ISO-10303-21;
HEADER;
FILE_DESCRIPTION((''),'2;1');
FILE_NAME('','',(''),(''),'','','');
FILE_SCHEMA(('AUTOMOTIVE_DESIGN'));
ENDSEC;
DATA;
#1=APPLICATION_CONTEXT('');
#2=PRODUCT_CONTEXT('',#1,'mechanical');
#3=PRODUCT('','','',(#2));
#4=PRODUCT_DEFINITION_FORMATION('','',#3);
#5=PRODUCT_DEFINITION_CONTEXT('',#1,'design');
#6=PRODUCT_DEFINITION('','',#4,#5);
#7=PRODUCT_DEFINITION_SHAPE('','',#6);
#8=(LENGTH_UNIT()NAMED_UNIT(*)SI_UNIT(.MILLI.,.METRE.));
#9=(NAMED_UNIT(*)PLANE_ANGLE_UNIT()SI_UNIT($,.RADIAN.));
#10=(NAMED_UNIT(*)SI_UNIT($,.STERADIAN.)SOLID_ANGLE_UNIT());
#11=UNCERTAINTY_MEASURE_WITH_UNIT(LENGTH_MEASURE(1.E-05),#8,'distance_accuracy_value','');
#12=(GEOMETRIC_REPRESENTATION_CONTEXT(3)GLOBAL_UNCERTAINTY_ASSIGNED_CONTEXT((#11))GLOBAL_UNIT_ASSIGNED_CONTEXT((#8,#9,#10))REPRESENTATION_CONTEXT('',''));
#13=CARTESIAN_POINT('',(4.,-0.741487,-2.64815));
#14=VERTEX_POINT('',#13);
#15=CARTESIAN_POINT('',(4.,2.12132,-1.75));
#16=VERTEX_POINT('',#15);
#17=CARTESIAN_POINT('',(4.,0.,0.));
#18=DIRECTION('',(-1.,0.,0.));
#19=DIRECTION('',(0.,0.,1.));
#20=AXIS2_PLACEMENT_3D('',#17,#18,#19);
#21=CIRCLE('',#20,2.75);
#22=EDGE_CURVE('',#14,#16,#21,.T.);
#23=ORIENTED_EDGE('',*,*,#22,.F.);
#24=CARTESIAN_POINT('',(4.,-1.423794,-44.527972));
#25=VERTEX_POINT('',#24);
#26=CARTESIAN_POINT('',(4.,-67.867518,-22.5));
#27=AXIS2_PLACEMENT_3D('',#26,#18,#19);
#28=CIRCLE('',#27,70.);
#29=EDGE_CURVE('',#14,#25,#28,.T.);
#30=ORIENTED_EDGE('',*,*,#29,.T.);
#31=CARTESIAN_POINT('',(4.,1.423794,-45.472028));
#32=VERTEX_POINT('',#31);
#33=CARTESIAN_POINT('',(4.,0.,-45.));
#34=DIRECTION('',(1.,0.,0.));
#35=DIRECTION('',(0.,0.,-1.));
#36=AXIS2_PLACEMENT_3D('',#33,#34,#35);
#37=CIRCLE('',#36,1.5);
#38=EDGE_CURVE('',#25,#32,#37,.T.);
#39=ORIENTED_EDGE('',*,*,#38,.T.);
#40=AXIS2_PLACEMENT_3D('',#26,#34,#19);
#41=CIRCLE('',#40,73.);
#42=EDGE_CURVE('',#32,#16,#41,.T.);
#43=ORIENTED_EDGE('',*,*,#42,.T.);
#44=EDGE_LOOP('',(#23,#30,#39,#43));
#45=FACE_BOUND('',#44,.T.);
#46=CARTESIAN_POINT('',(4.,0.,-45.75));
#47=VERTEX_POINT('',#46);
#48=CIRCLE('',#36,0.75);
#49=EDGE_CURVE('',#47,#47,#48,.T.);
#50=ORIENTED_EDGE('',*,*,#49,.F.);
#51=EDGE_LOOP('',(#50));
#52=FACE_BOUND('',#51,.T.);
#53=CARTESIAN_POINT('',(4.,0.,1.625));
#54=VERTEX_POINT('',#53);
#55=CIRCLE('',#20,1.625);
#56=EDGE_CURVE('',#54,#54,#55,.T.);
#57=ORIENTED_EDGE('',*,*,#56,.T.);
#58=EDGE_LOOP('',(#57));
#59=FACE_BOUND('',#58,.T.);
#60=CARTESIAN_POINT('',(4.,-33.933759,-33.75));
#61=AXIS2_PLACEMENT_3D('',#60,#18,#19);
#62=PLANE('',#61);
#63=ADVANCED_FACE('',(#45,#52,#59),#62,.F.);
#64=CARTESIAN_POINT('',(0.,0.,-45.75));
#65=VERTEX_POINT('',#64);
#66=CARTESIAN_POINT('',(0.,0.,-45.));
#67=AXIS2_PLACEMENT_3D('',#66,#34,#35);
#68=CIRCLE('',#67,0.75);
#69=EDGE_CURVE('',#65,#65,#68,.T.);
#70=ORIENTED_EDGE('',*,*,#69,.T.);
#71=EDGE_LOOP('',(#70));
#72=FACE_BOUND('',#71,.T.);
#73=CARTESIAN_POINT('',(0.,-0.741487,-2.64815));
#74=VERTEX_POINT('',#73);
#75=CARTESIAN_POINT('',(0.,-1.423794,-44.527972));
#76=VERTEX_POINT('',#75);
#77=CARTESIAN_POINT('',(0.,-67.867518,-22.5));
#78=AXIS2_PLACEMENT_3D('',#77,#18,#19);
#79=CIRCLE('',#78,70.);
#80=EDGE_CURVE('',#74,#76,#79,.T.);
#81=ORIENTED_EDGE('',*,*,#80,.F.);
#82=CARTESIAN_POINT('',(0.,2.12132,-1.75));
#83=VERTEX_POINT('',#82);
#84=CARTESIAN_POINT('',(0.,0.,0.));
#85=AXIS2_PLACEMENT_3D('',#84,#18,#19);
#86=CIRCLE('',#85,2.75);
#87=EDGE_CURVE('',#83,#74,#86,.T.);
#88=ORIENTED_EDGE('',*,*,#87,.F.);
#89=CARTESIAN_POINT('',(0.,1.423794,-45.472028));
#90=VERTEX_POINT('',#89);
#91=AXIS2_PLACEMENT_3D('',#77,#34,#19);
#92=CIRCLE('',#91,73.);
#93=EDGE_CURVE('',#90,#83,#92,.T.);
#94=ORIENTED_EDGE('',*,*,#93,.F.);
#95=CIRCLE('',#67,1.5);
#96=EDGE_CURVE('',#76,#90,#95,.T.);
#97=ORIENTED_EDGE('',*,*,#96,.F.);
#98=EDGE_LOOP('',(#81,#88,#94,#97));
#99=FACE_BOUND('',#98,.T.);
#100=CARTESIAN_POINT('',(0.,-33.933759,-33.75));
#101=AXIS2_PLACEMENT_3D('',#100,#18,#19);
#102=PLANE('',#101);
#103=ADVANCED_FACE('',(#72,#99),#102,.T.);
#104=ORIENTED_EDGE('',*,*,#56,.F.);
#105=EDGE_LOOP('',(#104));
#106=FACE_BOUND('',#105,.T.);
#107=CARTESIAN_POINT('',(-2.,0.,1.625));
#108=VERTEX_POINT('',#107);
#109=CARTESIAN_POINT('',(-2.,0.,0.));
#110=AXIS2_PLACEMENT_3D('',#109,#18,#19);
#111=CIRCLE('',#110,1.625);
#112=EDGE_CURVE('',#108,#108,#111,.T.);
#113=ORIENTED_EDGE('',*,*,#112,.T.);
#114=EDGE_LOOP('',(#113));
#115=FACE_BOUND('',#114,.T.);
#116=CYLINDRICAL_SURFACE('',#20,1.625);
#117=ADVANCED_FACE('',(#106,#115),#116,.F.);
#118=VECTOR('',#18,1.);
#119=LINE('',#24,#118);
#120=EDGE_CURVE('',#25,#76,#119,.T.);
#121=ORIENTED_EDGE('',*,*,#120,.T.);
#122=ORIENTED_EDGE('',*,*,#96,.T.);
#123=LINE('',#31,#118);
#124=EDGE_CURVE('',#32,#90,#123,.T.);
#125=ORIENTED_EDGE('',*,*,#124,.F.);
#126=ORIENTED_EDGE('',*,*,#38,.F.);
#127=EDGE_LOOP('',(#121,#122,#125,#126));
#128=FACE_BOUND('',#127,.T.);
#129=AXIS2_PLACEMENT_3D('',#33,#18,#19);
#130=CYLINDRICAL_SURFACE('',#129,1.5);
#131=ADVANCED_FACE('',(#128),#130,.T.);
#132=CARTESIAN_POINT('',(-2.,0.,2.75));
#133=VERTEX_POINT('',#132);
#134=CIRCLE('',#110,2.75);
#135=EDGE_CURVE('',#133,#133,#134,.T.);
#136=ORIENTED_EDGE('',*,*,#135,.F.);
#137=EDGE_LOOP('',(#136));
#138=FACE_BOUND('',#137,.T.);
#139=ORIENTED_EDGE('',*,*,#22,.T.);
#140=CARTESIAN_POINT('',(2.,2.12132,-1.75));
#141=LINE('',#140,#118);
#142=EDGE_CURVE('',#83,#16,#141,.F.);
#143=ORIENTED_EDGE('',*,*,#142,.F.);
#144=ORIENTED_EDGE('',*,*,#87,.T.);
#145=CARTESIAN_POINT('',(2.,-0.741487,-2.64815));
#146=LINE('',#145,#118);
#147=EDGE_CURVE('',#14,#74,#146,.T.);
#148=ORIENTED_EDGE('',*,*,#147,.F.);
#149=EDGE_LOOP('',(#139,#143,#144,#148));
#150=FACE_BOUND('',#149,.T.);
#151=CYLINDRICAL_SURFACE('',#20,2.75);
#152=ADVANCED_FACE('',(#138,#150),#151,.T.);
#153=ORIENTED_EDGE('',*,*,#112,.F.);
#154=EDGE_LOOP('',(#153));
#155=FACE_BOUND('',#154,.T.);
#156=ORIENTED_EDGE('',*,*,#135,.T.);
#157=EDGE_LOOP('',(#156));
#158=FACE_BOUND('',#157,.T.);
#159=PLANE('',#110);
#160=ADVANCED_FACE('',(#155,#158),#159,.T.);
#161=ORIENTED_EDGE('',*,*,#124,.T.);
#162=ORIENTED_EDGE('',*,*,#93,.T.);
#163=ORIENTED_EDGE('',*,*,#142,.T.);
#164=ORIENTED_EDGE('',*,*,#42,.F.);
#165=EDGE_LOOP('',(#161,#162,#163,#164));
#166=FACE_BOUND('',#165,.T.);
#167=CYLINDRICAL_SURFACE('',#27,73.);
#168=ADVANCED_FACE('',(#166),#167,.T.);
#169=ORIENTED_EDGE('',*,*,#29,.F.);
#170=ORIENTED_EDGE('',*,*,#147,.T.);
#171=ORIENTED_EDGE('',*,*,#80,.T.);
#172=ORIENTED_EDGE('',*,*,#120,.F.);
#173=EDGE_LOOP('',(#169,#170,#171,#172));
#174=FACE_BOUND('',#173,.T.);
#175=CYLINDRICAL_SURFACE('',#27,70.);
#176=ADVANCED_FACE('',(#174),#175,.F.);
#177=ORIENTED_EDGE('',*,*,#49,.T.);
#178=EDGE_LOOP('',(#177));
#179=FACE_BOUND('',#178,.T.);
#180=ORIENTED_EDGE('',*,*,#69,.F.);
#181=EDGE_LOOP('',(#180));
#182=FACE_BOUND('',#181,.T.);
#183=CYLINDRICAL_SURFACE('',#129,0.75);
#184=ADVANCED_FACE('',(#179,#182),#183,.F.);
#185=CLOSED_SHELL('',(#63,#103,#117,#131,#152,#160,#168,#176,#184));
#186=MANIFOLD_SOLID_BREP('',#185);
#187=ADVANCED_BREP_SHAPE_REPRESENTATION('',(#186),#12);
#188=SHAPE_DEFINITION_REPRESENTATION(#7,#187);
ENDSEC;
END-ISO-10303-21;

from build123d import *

# Parameters (mm, degrees)
SKETCH1_R           = 0.75
BOSS_EXTRUDE1_DEPTH = 4
SKETCH3_R           = 2.75
BOSS_EXTRUDE3_DEPTH = 4
SKETCH4_R           = 1.625
CUT_EXTRUDE1_DEPTH  = 4
BOSS_EXTRUDE4_START = 2
SKETCH5_R           = 2.75
SKETCH5_R_2         = 1.625
BOSS_EXTRUDE4_DEPTH = 2


with BuildPart() as part:
    # Sketch1 → Boss-Extrude1 (new body)
    with BuildSketch(Plane(origin=(0, 0, 0), x_dir=(0, 0, -1), z_dir=(1, 0, 0))):
        with BuildLine():
            ThreePointArc((-0.472027972, 1.423794084), (-1.423794084, -0.472027972), (0.472027972, -1.423794084))
            ThreePointArc((0.472027972, -1.423794084), (22.5, 2.132481996), (44.527972028, -1.423794084))
            ThreePointArc((44.527972028, -1.423794084), (46.423794084, -0.472027972), (45.472027972, 1.423794084))
            ThreePointArc((45.472027972, 1.423794084), (22.5, 5.132481996), (-0.472027972, 1.423794084))
        make_face()
        with Locations((45, 0)):
            Circle(SKETCH1_R, mode=Mode.SUBTRACT)
    extrude(amount=BOSS_EXTRUDE1_DEPTH)

    # Sketch3 → Boss-Extrude3 (add)
    with BuildSketch(Plane.ZY):
        Circle(SKETCH3_R)
    extrude(amount=-BOSS_EXTRUDE3_DEPTH)

    # Sketch4 → Cut-Extrude1 (cut)
    with BuildSketch(Plane.ZY):
        Circle(SKETCH4_R)
    extrude(amount=-CUT_EXTRUDE1_DEPTH, mode=Mode.SUBTRACT)

    # Sketch5 → Boss-Extrude4 (add)
    with BuildSketch(Plane.ZY.offset(BOSS_EXTRUDE4_START)):
        Circle(SKETCH5_R)
        Circle(SKETCH5_R_2, mode=Mode.SUBTRACT)
    extrude(amount=-BOSS_EXTRUDE4_DEPTH)


solid = part.part
